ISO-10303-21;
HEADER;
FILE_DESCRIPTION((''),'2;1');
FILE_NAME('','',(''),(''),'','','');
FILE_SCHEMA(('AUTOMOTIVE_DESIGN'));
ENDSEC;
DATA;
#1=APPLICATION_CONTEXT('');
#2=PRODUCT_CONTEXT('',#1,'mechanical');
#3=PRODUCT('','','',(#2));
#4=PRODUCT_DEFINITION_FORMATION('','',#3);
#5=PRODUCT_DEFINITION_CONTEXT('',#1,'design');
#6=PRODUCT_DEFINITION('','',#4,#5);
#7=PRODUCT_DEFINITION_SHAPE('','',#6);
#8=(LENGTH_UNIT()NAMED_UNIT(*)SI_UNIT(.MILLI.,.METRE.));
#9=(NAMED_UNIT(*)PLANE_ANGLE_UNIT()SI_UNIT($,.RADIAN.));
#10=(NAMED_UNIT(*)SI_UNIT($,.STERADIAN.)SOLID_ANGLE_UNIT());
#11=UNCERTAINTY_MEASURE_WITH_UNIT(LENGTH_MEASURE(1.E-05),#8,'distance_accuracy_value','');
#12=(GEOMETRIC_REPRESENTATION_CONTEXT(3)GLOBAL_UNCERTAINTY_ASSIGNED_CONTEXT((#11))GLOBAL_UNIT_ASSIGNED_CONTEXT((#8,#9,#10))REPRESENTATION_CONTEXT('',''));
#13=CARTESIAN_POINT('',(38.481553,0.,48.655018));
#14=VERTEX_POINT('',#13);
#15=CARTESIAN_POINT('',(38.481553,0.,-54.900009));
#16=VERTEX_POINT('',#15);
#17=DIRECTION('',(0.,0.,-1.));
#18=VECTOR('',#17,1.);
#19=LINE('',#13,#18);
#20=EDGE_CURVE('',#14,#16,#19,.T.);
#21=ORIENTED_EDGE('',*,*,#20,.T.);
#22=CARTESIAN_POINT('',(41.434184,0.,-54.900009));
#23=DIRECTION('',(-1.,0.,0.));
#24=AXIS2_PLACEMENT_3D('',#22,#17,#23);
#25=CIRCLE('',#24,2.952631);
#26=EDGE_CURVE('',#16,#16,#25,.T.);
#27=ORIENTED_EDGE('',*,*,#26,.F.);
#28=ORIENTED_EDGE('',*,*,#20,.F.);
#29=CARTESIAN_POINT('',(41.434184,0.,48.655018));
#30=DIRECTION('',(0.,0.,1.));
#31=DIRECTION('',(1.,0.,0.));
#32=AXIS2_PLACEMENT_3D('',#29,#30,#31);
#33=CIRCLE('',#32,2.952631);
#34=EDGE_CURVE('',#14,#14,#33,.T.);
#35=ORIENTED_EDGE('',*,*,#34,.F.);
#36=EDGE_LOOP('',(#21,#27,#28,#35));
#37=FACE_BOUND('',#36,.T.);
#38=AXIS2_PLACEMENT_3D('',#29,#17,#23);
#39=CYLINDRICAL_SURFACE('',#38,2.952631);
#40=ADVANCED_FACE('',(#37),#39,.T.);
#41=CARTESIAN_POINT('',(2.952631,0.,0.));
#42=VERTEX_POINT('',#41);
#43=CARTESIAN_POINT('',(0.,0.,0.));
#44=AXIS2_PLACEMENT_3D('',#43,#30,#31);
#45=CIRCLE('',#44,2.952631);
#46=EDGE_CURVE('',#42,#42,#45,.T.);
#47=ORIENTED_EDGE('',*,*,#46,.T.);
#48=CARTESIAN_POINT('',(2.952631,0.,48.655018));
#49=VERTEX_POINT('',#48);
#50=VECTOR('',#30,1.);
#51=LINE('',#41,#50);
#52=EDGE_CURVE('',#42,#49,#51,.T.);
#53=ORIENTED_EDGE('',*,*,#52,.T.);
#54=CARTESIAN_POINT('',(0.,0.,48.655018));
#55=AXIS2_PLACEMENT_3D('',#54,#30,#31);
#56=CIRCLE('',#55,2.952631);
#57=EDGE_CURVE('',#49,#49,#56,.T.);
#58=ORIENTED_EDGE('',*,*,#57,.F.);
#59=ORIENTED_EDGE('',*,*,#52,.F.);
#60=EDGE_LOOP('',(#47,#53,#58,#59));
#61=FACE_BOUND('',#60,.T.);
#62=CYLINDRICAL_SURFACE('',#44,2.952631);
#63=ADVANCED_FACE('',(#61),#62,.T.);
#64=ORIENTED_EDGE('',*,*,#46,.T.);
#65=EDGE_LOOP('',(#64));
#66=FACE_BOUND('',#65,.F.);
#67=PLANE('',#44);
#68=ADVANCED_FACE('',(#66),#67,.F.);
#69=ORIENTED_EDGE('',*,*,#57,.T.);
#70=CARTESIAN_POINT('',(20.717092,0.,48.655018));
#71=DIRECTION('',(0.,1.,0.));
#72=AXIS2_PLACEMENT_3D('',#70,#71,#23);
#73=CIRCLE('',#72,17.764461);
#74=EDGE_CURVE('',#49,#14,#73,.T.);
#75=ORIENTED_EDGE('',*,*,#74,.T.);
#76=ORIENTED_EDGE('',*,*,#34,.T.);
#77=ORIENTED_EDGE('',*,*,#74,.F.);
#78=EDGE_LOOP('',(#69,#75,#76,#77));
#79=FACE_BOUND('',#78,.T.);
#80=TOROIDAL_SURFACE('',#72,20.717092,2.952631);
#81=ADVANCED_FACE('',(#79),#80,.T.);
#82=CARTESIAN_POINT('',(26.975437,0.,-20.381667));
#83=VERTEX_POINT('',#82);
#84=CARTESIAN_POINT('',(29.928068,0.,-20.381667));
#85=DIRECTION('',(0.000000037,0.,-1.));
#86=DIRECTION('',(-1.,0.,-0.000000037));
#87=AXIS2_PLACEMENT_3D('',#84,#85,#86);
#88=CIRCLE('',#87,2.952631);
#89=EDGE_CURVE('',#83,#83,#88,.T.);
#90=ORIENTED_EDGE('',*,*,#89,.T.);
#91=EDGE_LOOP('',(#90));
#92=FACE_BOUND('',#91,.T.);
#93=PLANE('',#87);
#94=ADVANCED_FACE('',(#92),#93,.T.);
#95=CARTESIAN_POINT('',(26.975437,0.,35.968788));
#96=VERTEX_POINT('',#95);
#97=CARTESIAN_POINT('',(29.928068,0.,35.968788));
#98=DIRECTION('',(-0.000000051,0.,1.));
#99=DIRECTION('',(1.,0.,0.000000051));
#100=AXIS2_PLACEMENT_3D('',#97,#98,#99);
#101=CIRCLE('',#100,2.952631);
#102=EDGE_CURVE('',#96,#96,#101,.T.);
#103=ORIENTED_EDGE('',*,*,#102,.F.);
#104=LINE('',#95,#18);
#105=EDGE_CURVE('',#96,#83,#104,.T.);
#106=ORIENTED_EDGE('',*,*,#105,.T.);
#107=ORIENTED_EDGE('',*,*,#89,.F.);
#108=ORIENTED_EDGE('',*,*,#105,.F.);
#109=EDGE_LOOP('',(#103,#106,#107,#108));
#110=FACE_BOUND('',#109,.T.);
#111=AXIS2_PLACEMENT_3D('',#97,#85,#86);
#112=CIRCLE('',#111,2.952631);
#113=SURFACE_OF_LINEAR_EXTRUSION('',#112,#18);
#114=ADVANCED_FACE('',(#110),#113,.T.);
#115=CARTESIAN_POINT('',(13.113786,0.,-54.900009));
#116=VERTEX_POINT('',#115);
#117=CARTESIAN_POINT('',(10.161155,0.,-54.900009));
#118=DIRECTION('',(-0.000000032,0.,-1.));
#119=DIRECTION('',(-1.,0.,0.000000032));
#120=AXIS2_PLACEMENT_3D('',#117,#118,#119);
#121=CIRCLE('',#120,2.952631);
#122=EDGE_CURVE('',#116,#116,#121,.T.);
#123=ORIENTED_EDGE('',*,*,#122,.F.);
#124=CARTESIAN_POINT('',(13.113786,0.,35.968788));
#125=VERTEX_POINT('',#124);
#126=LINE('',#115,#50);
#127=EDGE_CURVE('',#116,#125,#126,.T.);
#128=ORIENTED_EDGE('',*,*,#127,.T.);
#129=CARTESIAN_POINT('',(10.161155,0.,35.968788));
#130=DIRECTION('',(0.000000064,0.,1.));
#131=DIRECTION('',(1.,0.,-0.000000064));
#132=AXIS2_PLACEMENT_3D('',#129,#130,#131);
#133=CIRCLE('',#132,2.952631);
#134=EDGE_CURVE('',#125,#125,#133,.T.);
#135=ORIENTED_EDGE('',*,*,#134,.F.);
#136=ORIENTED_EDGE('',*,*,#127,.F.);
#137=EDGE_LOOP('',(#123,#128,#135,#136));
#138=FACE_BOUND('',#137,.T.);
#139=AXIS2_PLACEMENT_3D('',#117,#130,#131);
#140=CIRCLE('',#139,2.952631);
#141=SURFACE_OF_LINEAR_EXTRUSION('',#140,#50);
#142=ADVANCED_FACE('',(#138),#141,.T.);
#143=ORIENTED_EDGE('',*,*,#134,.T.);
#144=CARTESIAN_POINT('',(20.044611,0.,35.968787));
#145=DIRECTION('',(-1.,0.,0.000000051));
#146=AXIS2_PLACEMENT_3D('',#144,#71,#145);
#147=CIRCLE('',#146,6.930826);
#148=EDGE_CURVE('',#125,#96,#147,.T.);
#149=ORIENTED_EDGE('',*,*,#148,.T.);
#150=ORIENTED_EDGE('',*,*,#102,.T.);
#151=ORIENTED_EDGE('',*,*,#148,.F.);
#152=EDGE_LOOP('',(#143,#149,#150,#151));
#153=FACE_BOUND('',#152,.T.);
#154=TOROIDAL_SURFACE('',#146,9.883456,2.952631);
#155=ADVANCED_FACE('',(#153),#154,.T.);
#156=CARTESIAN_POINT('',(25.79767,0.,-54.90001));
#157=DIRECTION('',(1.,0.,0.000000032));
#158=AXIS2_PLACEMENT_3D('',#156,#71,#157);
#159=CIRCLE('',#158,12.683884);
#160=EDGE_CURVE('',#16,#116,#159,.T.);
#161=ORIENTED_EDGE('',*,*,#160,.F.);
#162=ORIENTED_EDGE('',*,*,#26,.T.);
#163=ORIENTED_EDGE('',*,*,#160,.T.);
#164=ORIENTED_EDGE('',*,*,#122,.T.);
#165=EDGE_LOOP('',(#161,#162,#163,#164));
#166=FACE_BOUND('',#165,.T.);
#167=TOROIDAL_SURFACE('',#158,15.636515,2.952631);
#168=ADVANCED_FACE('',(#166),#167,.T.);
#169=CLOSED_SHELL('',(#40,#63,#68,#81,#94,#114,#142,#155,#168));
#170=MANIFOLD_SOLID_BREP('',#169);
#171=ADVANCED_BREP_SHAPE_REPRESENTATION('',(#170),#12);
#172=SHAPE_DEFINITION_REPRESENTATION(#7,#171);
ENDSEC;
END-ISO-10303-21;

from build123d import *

# Parameters (mm, degrees)
F0_R = 2.952631


with BuildPart() as f2:
    # F2: sweep along a path in F1
    with BuildLine(Plane.XZ) as f2_path:
        Line((0, 0), (0, 48.655018))
        ThreePointArc((0, 48.655018), (20.717092, 69.37211), (41.434184, 48.655018))
        Line((41.434184, 48.655018), (41.434184, -54.900009))
        ThreePointArc((41.434184, -54.900009), (25.797669, -70.536524), (10.161155, -54.900009))
        Line((10.161155, -54.900009), (10.161155, 35.968788))
        ThreePointArc((10.161155, 35.968788), (20.044611, 45.852244), (29.928068, 35.968788))
        Line((29.928068, 35.968788), (29.928068, -20.381667))
    # F0 (on Top) → F2 (sweep)
    with BuildSketch(Plane.XY):
        Circle(F0_R)
    sweep(path=f2_path.line)


solid = f2.part
